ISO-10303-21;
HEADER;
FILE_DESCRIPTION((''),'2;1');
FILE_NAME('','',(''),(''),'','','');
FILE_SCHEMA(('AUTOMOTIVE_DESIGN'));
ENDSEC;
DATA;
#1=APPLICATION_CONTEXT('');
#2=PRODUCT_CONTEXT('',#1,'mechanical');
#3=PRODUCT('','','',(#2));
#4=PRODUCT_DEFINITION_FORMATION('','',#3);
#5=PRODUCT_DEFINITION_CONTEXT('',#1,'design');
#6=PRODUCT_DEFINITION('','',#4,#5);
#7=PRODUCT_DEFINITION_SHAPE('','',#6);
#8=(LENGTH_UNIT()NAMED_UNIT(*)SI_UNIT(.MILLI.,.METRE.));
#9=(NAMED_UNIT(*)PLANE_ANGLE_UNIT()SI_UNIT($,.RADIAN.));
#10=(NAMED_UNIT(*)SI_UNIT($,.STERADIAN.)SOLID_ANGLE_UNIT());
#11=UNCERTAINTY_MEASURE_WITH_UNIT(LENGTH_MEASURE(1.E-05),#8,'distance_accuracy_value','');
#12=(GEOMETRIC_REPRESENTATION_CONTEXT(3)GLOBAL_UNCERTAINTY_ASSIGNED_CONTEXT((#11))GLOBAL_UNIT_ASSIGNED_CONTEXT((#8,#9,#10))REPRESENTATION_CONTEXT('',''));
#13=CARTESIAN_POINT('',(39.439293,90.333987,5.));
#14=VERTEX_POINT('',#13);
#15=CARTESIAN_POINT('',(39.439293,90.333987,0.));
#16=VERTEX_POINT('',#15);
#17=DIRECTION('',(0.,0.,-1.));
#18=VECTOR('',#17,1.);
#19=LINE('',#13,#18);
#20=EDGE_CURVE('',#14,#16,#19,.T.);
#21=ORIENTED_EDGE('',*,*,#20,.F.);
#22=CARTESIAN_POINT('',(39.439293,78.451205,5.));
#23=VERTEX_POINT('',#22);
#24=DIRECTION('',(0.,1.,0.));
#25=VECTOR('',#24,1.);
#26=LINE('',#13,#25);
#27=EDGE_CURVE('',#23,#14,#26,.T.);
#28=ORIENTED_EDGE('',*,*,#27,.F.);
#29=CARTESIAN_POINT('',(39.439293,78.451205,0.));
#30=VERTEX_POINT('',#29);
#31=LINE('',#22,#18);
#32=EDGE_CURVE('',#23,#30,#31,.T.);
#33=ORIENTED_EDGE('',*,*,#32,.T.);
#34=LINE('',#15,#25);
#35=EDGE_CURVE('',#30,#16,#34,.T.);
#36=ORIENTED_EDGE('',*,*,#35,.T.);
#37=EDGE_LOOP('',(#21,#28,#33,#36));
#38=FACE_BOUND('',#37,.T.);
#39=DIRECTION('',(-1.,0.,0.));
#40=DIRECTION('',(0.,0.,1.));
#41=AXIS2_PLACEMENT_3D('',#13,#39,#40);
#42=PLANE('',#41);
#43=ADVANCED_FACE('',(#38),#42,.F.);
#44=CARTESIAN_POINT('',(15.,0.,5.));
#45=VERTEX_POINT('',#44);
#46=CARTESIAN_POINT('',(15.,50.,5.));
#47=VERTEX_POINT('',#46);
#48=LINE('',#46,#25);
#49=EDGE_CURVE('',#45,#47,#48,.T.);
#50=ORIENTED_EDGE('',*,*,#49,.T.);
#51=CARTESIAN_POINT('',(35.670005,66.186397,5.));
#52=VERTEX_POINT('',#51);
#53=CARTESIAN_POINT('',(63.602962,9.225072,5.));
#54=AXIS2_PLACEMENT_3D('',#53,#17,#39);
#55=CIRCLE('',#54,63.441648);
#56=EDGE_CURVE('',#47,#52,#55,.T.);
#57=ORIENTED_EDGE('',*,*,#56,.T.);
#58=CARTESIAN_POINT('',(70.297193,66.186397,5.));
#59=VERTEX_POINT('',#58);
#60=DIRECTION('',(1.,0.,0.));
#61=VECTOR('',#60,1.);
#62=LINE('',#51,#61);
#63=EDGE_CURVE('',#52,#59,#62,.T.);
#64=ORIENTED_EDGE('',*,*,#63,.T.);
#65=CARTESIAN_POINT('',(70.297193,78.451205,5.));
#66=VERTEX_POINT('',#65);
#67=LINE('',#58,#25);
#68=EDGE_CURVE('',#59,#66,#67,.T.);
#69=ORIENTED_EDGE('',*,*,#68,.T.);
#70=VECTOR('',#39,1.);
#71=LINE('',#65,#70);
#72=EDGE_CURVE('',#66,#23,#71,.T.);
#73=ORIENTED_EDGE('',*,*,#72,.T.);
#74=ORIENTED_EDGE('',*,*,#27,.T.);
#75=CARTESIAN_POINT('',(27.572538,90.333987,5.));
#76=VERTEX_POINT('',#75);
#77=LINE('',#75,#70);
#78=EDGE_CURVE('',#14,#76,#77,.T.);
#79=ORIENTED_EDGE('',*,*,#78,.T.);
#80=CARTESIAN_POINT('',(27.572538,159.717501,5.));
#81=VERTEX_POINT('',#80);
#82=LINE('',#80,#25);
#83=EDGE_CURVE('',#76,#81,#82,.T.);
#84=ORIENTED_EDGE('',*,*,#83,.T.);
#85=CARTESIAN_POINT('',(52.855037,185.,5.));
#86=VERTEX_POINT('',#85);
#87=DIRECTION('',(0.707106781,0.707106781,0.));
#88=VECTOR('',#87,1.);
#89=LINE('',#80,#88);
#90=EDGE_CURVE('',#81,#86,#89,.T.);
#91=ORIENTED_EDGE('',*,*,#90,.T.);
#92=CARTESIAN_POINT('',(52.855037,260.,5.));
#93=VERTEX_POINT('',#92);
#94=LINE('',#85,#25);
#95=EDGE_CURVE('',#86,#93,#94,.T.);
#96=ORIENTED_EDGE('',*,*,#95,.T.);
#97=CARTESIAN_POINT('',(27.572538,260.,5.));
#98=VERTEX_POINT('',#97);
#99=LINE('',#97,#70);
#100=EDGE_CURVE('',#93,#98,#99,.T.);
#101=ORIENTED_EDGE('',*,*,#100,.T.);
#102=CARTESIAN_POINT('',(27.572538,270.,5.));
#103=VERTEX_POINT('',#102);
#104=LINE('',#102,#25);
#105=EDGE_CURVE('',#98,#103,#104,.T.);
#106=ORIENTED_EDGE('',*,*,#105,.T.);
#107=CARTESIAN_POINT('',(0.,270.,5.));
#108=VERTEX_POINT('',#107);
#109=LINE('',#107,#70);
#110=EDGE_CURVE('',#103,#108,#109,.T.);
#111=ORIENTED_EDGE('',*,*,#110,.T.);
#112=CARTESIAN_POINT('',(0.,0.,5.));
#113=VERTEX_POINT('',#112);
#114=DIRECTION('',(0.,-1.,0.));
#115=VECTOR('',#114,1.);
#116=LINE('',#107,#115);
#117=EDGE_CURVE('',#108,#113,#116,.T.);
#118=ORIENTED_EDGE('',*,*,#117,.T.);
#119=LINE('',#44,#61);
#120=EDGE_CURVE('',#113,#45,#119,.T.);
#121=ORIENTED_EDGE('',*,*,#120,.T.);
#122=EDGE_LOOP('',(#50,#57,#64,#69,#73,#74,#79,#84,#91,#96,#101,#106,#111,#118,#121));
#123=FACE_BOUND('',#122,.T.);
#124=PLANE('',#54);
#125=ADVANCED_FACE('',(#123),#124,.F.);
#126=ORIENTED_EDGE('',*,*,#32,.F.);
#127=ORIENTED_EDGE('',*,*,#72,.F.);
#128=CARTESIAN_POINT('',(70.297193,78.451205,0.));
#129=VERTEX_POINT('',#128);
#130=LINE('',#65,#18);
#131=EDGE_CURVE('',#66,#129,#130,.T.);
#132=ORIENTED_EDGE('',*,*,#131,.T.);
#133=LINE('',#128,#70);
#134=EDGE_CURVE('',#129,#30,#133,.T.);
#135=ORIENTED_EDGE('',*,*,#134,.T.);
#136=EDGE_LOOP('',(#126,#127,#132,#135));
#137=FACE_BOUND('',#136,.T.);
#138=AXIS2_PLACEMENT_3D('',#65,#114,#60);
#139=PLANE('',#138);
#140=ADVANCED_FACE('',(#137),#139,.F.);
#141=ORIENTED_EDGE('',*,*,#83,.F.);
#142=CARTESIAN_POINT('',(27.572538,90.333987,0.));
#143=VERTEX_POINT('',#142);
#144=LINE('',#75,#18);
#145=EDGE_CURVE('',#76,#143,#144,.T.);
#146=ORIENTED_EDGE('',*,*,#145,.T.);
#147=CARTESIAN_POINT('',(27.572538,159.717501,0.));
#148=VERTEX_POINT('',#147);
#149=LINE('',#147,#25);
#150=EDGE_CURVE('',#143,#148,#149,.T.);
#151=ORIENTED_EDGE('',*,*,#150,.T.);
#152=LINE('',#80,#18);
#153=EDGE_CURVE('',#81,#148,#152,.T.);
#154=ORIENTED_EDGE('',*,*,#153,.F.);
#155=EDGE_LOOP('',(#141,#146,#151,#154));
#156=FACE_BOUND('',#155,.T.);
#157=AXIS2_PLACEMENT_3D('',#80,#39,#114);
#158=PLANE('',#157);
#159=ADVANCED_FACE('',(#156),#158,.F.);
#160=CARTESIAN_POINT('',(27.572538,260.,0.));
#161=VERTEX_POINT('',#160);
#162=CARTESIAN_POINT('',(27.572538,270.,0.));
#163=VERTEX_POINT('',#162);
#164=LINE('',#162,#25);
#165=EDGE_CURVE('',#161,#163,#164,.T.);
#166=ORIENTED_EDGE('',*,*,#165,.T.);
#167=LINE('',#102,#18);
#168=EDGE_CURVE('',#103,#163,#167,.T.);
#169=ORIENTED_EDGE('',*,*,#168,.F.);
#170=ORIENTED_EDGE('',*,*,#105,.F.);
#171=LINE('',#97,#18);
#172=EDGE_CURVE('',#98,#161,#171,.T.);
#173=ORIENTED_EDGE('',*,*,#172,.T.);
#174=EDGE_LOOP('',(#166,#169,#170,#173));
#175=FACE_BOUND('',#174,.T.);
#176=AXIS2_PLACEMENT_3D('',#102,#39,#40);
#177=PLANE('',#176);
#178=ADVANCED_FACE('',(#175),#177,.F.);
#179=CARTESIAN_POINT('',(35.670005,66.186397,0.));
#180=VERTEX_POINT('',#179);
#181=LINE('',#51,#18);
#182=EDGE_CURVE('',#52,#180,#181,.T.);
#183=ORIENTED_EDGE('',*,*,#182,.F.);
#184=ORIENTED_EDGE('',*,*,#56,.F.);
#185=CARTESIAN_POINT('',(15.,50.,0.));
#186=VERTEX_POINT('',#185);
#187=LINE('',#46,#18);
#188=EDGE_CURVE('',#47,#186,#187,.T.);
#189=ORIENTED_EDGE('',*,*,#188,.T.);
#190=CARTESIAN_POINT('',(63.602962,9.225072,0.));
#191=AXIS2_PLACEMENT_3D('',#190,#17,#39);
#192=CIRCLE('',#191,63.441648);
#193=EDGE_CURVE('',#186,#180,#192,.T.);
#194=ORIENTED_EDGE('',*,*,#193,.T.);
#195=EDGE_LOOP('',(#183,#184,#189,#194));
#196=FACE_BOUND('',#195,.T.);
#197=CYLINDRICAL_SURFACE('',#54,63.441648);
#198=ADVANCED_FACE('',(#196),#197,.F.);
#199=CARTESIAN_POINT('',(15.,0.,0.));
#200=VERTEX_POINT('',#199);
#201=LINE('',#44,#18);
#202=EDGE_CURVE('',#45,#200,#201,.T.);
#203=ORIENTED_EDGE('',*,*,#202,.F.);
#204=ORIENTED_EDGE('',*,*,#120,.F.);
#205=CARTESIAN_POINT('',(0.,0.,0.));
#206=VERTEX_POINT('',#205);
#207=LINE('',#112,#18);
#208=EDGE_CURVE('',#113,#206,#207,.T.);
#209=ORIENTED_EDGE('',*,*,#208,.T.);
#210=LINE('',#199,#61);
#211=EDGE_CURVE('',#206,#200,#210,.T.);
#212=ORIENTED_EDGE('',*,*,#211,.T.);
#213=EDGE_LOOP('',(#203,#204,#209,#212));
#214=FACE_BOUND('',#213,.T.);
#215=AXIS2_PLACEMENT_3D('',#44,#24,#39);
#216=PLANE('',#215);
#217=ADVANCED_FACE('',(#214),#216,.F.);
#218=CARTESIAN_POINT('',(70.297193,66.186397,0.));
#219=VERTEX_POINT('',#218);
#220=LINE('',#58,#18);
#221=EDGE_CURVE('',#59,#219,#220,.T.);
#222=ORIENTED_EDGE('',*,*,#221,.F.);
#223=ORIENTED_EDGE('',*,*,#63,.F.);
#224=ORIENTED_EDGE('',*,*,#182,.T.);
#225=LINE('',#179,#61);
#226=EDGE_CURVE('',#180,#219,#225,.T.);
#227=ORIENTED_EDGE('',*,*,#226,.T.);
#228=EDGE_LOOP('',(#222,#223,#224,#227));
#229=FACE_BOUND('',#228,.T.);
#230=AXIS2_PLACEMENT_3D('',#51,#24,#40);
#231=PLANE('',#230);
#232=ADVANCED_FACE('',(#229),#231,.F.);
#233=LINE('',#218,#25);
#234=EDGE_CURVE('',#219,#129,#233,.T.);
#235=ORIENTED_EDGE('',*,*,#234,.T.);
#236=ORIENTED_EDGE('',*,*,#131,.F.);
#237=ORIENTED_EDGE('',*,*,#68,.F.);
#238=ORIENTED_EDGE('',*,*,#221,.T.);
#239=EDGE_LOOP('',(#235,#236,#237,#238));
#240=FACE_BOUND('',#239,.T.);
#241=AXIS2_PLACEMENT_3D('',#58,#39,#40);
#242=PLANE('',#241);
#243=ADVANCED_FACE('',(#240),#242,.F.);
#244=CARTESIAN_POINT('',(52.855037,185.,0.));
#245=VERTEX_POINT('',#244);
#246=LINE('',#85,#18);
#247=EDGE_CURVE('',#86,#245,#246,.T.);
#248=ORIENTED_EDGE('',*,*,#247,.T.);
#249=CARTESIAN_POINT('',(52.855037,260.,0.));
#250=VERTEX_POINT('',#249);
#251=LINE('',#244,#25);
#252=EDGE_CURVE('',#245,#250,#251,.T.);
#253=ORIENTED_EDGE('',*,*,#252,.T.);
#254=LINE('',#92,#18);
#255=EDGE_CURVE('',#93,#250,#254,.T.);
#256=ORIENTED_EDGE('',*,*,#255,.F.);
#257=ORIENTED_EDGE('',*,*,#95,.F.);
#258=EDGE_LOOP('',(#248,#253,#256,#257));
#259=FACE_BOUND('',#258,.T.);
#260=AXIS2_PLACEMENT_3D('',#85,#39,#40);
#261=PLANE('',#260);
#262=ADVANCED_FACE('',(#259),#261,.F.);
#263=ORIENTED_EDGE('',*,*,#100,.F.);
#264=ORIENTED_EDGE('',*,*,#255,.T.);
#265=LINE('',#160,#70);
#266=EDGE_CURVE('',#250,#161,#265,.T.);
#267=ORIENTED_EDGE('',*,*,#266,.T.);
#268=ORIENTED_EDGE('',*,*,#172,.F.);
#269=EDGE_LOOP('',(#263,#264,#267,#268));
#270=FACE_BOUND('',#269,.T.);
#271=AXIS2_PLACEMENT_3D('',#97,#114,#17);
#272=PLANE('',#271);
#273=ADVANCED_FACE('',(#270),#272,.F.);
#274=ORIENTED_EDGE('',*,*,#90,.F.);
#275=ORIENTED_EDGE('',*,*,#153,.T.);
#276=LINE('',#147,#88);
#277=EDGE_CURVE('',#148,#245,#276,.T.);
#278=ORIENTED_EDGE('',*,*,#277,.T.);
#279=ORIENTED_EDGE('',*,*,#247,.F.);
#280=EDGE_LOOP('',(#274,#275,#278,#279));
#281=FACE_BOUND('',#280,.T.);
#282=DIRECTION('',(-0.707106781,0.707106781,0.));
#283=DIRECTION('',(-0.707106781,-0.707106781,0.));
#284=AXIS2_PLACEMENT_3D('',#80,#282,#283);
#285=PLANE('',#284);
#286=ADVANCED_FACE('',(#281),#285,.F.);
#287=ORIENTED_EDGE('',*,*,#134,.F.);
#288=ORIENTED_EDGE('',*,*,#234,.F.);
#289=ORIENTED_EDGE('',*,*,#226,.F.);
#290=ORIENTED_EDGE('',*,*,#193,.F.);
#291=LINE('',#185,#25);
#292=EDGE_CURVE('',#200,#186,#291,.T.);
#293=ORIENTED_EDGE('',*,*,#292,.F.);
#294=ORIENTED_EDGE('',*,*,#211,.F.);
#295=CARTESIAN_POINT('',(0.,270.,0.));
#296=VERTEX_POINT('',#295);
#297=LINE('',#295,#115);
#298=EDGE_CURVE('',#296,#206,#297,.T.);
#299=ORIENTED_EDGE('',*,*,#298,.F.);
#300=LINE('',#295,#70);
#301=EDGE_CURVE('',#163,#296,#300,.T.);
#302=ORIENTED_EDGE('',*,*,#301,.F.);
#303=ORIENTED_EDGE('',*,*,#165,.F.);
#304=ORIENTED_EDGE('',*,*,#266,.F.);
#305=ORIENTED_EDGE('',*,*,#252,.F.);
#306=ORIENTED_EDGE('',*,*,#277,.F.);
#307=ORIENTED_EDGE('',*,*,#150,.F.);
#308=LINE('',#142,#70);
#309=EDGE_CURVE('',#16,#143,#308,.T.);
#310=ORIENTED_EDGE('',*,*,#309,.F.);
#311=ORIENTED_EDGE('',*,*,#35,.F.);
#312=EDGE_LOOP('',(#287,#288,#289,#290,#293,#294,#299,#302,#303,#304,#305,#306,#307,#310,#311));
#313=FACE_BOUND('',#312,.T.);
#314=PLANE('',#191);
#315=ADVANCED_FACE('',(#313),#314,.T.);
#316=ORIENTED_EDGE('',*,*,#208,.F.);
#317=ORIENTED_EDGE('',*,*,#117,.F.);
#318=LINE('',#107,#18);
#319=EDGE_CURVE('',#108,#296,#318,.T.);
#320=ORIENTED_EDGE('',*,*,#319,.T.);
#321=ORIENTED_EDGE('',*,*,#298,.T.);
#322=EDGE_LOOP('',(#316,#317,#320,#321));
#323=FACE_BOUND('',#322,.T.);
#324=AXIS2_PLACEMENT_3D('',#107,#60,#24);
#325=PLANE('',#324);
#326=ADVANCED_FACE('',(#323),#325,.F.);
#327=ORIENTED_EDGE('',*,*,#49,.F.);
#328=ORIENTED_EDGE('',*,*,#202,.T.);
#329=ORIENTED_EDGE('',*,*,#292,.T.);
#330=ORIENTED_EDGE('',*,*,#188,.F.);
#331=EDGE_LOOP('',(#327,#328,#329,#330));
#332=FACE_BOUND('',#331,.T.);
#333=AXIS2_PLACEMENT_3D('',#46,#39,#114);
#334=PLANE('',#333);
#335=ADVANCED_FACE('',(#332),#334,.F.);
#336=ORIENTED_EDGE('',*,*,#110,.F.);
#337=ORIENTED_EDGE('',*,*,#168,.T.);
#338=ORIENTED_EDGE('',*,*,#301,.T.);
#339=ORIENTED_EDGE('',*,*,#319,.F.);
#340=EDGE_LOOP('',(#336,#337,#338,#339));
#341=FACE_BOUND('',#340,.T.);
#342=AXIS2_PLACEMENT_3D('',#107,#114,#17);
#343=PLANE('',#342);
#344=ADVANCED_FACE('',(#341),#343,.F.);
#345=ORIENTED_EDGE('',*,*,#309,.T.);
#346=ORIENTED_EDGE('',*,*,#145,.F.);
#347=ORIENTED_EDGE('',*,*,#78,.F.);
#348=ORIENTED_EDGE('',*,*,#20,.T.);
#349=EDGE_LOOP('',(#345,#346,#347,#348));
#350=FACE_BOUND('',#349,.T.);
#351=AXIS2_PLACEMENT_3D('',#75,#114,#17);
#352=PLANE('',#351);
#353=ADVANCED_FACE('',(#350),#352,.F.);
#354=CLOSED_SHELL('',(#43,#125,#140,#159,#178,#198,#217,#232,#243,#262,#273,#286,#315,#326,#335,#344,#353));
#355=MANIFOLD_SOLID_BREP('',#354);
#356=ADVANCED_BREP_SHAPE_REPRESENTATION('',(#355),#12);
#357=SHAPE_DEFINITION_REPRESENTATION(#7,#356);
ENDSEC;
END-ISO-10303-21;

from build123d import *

# Parameters (mm, degrees)
BOSS_EXTRU_1_DEPTH = 5


with BuildPart() as part:
    # Esquisse1 → Boss.-Extru.1 (new body)
    with BuildSketch(Plane.XY):
        with BuildLine():
            Line((70.297192809, 66.186397284), (70.297192809, 78.451204868))
            Line((70.297192809, 78.451204868), (39.439293445, 78.451204868))
            Line((39.439293445, 78.451204868), (39.439293445, 90.333987182))
            Line((39.439293445, 90.333987182), (27.572537656, 90.333987182))
            Line((27.572537656, 90.333987182), (27.572537656, 159.717501023))
            Line((27.572537656, 159.717501023), (52.855036633, 185))
            Line((52.855036633, 185), (52.855036633, 260))
            Line((52.855036633, 260), (27.572537656, 260))
            Line((27.572537656, 260), (27.572537656, 270))
            Line((27.572537656, 270), (0, 270))
            Line((0, 270), (0, 0))
            Line((0, 0), (15, 0))
            Line((15, 0), (15, 50))
            ThreePointArc((15, 50), (24.488558001, 59.174106779), (35.670004688, 66.186397284))
            Line((35.670004688, 66.186397284), (70.297192809, 66.186397284))
        make_face()
    extrude(amount=BOSS_EXTRU_1_DEPTH)


solid = part.part
